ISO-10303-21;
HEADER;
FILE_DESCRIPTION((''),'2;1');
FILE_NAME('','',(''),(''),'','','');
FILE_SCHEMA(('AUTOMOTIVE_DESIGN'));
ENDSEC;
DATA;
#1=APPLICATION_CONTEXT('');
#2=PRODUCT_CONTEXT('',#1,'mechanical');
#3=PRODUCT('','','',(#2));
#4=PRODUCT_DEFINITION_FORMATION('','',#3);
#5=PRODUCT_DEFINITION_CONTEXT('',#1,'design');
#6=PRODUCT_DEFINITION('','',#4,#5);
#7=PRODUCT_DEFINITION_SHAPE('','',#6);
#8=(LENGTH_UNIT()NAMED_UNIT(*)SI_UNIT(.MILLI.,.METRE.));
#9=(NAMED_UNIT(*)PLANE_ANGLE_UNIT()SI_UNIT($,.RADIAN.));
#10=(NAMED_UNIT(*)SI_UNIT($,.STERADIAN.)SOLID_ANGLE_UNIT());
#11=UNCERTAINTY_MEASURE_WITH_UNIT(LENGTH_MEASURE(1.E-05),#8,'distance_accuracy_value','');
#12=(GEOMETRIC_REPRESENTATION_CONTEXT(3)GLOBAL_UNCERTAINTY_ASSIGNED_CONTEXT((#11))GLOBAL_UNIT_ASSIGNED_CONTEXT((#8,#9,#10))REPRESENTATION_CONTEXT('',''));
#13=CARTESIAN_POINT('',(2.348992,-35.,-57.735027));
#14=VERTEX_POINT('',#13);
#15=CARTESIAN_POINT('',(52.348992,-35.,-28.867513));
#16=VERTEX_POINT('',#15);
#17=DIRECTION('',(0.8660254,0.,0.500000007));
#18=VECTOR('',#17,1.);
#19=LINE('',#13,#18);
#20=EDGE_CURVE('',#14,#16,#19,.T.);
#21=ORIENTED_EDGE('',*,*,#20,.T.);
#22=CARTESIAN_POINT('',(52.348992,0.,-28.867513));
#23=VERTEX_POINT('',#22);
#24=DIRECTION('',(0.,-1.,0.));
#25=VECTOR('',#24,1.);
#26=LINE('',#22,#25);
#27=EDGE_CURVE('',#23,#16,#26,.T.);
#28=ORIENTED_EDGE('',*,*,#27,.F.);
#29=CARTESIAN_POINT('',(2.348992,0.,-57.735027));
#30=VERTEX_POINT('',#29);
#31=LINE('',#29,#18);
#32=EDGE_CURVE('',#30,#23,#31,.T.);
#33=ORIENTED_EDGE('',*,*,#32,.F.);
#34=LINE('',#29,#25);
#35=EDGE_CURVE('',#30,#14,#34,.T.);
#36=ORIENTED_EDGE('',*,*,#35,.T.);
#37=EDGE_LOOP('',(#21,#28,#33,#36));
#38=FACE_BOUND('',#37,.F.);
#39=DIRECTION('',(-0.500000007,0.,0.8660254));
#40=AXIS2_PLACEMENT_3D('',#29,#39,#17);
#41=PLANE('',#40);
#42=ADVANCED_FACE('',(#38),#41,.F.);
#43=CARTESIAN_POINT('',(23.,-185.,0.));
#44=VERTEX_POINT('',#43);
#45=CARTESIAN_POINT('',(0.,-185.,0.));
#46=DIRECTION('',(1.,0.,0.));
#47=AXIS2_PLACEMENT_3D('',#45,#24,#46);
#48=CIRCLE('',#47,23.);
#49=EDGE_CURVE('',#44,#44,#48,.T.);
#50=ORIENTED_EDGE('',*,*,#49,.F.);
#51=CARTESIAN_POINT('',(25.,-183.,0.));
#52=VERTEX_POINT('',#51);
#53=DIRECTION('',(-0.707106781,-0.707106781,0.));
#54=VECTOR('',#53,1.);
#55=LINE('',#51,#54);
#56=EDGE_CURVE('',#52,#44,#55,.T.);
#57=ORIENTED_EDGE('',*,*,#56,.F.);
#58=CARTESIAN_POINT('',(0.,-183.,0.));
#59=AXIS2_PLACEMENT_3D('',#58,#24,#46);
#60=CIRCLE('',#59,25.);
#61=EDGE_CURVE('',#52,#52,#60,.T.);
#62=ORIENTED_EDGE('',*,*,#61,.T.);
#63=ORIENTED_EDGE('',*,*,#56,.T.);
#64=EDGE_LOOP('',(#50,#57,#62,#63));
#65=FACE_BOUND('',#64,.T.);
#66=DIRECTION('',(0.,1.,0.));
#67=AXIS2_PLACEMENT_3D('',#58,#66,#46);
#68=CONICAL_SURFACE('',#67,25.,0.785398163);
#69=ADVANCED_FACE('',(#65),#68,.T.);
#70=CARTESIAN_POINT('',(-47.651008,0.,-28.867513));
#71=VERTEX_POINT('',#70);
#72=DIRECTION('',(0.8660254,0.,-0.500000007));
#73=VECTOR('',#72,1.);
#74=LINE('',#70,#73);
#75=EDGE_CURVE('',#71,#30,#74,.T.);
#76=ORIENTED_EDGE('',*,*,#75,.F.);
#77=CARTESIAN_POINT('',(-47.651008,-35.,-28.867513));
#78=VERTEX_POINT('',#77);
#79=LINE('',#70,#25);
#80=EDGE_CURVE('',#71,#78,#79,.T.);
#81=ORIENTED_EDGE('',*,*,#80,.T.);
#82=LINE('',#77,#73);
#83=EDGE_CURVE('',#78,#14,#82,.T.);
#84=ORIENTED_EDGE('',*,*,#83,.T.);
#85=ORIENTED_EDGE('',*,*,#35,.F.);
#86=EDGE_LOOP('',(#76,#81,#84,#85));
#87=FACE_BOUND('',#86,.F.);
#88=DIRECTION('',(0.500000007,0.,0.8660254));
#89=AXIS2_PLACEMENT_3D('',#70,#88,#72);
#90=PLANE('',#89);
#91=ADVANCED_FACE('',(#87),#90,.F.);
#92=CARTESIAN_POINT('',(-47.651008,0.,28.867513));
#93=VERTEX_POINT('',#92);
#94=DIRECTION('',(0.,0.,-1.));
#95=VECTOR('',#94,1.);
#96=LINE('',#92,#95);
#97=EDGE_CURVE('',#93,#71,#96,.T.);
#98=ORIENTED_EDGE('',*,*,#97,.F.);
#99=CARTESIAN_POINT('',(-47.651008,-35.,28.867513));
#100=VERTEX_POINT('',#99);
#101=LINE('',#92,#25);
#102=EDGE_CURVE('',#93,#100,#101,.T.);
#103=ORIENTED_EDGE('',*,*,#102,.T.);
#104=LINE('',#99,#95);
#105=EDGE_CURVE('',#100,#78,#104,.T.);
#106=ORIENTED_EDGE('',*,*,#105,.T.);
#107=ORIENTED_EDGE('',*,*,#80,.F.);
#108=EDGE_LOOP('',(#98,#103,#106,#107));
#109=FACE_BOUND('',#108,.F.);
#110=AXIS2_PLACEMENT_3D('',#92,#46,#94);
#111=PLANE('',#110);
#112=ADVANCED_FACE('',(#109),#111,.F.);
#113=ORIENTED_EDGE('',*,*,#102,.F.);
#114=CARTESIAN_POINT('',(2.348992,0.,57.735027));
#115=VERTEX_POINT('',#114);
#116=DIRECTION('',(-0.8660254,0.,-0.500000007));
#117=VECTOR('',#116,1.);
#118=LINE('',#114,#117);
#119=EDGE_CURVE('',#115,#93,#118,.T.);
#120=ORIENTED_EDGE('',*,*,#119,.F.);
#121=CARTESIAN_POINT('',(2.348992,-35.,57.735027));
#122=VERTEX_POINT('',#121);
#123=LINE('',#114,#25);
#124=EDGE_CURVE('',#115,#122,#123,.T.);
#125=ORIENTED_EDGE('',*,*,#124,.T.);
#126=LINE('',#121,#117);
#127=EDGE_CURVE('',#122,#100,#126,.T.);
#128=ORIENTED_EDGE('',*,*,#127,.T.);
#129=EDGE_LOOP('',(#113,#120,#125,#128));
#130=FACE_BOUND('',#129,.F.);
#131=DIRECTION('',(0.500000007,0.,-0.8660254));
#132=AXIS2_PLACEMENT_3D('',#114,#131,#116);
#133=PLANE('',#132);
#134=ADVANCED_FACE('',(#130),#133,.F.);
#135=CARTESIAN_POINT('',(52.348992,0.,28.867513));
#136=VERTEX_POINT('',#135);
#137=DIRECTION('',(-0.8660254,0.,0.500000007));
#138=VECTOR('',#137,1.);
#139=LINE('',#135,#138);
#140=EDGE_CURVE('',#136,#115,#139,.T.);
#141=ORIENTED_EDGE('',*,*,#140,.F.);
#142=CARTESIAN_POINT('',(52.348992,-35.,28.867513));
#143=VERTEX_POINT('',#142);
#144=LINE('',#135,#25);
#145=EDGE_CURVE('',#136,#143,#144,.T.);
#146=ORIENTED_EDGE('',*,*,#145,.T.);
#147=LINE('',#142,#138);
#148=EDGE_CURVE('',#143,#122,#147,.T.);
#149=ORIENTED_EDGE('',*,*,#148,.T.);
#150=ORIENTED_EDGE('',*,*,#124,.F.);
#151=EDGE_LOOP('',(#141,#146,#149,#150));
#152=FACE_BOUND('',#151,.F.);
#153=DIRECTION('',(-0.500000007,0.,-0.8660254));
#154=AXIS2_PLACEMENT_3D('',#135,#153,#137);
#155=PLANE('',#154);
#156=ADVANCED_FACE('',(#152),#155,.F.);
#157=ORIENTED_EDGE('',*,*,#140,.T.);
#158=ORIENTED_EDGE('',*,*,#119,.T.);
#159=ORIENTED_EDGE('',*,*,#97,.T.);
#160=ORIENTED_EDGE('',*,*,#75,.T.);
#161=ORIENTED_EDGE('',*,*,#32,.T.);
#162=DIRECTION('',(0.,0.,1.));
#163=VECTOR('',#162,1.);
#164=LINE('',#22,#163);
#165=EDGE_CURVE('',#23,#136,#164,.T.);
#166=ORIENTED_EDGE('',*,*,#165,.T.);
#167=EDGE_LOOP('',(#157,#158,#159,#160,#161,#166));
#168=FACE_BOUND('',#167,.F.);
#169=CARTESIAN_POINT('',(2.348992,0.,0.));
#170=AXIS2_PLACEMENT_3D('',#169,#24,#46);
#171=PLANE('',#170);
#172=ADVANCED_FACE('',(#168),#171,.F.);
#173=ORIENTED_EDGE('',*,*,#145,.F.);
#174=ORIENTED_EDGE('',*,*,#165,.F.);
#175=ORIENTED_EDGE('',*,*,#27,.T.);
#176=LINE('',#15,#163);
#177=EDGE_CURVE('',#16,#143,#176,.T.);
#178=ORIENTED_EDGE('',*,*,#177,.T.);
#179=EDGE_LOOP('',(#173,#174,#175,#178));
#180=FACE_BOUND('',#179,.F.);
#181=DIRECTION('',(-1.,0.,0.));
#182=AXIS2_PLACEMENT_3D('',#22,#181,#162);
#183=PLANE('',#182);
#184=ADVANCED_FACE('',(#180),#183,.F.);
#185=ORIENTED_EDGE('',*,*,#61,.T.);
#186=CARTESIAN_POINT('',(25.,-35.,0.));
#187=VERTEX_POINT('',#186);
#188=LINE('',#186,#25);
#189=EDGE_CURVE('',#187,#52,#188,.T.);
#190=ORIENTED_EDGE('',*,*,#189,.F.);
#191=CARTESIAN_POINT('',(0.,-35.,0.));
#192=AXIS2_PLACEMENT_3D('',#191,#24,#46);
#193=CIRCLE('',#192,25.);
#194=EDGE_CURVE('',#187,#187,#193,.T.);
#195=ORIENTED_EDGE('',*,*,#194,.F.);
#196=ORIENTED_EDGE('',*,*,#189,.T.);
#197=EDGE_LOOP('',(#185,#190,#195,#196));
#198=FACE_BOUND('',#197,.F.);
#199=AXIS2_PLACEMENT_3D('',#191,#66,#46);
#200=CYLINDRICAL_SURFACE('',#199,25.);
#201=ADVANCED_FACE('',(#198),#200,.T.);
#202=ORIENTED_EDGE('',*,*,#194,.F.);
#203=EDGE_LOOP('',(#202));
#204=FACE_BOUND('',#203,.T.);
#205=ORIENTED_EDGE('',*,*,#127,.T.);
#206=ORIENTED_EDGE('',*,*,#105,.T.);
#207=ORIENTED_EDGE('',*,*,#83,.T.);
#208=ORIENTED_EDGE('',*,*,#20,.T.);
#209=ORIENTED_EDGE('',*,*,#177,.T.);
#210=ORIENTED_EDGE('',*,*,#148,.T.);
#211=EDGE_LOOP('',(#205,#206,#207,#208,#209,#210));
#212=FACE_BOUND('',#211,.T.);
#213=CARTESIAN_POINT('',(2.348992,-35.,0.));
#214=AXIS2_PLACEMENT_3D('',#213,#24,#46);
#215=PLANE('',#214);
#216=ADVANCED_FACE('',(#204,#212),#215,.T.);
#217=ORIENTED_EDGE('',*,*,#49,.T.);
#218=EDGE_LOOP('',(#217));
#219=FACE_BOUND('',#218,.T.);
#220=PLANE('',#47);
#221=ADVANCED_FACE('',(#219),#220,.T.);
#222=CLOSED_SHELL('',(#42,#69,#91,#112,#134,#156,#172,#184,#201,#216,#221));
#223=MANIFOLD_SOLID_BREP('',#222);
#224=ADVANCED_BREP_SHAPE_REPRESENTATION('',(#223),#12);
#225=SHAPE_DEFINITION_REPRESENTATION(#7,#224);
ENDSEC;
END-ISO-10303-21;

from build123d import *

# Parameters (mm, degrees)
F1_DEPTH = 35
F2_R     = 25
F3_DEPTH = 150
F4_SIZE  = 2


with BuildPart() as f1:
    # F0 (on Front) → F1 (new body)
    with BuildSketch(Plane.XZ):
        Polygon((52.348992, -28.867513), (52.348992, 28.867513), (2.348992, 57.735027), (-47.651008, 28.867513), (-47.651008, -28.867513), (2.348992, -57.735027), align=None)
    extrude(amount=F1_DEPTH)

    # F2 (on face) → F3 (join)
    with BuildSketch(Plane.XZ.offset(35)):
        Circle(F2_R)
    extrude(amount=F3_DEPTH)

    # F4
    f4_edges = [f1.edges().sort_by_distance(p)[0] for p in [
        (-25, -185, 0),
    ]]
    chamfer(f4_edges, length=F4_SIZE)


solid = f1.part
